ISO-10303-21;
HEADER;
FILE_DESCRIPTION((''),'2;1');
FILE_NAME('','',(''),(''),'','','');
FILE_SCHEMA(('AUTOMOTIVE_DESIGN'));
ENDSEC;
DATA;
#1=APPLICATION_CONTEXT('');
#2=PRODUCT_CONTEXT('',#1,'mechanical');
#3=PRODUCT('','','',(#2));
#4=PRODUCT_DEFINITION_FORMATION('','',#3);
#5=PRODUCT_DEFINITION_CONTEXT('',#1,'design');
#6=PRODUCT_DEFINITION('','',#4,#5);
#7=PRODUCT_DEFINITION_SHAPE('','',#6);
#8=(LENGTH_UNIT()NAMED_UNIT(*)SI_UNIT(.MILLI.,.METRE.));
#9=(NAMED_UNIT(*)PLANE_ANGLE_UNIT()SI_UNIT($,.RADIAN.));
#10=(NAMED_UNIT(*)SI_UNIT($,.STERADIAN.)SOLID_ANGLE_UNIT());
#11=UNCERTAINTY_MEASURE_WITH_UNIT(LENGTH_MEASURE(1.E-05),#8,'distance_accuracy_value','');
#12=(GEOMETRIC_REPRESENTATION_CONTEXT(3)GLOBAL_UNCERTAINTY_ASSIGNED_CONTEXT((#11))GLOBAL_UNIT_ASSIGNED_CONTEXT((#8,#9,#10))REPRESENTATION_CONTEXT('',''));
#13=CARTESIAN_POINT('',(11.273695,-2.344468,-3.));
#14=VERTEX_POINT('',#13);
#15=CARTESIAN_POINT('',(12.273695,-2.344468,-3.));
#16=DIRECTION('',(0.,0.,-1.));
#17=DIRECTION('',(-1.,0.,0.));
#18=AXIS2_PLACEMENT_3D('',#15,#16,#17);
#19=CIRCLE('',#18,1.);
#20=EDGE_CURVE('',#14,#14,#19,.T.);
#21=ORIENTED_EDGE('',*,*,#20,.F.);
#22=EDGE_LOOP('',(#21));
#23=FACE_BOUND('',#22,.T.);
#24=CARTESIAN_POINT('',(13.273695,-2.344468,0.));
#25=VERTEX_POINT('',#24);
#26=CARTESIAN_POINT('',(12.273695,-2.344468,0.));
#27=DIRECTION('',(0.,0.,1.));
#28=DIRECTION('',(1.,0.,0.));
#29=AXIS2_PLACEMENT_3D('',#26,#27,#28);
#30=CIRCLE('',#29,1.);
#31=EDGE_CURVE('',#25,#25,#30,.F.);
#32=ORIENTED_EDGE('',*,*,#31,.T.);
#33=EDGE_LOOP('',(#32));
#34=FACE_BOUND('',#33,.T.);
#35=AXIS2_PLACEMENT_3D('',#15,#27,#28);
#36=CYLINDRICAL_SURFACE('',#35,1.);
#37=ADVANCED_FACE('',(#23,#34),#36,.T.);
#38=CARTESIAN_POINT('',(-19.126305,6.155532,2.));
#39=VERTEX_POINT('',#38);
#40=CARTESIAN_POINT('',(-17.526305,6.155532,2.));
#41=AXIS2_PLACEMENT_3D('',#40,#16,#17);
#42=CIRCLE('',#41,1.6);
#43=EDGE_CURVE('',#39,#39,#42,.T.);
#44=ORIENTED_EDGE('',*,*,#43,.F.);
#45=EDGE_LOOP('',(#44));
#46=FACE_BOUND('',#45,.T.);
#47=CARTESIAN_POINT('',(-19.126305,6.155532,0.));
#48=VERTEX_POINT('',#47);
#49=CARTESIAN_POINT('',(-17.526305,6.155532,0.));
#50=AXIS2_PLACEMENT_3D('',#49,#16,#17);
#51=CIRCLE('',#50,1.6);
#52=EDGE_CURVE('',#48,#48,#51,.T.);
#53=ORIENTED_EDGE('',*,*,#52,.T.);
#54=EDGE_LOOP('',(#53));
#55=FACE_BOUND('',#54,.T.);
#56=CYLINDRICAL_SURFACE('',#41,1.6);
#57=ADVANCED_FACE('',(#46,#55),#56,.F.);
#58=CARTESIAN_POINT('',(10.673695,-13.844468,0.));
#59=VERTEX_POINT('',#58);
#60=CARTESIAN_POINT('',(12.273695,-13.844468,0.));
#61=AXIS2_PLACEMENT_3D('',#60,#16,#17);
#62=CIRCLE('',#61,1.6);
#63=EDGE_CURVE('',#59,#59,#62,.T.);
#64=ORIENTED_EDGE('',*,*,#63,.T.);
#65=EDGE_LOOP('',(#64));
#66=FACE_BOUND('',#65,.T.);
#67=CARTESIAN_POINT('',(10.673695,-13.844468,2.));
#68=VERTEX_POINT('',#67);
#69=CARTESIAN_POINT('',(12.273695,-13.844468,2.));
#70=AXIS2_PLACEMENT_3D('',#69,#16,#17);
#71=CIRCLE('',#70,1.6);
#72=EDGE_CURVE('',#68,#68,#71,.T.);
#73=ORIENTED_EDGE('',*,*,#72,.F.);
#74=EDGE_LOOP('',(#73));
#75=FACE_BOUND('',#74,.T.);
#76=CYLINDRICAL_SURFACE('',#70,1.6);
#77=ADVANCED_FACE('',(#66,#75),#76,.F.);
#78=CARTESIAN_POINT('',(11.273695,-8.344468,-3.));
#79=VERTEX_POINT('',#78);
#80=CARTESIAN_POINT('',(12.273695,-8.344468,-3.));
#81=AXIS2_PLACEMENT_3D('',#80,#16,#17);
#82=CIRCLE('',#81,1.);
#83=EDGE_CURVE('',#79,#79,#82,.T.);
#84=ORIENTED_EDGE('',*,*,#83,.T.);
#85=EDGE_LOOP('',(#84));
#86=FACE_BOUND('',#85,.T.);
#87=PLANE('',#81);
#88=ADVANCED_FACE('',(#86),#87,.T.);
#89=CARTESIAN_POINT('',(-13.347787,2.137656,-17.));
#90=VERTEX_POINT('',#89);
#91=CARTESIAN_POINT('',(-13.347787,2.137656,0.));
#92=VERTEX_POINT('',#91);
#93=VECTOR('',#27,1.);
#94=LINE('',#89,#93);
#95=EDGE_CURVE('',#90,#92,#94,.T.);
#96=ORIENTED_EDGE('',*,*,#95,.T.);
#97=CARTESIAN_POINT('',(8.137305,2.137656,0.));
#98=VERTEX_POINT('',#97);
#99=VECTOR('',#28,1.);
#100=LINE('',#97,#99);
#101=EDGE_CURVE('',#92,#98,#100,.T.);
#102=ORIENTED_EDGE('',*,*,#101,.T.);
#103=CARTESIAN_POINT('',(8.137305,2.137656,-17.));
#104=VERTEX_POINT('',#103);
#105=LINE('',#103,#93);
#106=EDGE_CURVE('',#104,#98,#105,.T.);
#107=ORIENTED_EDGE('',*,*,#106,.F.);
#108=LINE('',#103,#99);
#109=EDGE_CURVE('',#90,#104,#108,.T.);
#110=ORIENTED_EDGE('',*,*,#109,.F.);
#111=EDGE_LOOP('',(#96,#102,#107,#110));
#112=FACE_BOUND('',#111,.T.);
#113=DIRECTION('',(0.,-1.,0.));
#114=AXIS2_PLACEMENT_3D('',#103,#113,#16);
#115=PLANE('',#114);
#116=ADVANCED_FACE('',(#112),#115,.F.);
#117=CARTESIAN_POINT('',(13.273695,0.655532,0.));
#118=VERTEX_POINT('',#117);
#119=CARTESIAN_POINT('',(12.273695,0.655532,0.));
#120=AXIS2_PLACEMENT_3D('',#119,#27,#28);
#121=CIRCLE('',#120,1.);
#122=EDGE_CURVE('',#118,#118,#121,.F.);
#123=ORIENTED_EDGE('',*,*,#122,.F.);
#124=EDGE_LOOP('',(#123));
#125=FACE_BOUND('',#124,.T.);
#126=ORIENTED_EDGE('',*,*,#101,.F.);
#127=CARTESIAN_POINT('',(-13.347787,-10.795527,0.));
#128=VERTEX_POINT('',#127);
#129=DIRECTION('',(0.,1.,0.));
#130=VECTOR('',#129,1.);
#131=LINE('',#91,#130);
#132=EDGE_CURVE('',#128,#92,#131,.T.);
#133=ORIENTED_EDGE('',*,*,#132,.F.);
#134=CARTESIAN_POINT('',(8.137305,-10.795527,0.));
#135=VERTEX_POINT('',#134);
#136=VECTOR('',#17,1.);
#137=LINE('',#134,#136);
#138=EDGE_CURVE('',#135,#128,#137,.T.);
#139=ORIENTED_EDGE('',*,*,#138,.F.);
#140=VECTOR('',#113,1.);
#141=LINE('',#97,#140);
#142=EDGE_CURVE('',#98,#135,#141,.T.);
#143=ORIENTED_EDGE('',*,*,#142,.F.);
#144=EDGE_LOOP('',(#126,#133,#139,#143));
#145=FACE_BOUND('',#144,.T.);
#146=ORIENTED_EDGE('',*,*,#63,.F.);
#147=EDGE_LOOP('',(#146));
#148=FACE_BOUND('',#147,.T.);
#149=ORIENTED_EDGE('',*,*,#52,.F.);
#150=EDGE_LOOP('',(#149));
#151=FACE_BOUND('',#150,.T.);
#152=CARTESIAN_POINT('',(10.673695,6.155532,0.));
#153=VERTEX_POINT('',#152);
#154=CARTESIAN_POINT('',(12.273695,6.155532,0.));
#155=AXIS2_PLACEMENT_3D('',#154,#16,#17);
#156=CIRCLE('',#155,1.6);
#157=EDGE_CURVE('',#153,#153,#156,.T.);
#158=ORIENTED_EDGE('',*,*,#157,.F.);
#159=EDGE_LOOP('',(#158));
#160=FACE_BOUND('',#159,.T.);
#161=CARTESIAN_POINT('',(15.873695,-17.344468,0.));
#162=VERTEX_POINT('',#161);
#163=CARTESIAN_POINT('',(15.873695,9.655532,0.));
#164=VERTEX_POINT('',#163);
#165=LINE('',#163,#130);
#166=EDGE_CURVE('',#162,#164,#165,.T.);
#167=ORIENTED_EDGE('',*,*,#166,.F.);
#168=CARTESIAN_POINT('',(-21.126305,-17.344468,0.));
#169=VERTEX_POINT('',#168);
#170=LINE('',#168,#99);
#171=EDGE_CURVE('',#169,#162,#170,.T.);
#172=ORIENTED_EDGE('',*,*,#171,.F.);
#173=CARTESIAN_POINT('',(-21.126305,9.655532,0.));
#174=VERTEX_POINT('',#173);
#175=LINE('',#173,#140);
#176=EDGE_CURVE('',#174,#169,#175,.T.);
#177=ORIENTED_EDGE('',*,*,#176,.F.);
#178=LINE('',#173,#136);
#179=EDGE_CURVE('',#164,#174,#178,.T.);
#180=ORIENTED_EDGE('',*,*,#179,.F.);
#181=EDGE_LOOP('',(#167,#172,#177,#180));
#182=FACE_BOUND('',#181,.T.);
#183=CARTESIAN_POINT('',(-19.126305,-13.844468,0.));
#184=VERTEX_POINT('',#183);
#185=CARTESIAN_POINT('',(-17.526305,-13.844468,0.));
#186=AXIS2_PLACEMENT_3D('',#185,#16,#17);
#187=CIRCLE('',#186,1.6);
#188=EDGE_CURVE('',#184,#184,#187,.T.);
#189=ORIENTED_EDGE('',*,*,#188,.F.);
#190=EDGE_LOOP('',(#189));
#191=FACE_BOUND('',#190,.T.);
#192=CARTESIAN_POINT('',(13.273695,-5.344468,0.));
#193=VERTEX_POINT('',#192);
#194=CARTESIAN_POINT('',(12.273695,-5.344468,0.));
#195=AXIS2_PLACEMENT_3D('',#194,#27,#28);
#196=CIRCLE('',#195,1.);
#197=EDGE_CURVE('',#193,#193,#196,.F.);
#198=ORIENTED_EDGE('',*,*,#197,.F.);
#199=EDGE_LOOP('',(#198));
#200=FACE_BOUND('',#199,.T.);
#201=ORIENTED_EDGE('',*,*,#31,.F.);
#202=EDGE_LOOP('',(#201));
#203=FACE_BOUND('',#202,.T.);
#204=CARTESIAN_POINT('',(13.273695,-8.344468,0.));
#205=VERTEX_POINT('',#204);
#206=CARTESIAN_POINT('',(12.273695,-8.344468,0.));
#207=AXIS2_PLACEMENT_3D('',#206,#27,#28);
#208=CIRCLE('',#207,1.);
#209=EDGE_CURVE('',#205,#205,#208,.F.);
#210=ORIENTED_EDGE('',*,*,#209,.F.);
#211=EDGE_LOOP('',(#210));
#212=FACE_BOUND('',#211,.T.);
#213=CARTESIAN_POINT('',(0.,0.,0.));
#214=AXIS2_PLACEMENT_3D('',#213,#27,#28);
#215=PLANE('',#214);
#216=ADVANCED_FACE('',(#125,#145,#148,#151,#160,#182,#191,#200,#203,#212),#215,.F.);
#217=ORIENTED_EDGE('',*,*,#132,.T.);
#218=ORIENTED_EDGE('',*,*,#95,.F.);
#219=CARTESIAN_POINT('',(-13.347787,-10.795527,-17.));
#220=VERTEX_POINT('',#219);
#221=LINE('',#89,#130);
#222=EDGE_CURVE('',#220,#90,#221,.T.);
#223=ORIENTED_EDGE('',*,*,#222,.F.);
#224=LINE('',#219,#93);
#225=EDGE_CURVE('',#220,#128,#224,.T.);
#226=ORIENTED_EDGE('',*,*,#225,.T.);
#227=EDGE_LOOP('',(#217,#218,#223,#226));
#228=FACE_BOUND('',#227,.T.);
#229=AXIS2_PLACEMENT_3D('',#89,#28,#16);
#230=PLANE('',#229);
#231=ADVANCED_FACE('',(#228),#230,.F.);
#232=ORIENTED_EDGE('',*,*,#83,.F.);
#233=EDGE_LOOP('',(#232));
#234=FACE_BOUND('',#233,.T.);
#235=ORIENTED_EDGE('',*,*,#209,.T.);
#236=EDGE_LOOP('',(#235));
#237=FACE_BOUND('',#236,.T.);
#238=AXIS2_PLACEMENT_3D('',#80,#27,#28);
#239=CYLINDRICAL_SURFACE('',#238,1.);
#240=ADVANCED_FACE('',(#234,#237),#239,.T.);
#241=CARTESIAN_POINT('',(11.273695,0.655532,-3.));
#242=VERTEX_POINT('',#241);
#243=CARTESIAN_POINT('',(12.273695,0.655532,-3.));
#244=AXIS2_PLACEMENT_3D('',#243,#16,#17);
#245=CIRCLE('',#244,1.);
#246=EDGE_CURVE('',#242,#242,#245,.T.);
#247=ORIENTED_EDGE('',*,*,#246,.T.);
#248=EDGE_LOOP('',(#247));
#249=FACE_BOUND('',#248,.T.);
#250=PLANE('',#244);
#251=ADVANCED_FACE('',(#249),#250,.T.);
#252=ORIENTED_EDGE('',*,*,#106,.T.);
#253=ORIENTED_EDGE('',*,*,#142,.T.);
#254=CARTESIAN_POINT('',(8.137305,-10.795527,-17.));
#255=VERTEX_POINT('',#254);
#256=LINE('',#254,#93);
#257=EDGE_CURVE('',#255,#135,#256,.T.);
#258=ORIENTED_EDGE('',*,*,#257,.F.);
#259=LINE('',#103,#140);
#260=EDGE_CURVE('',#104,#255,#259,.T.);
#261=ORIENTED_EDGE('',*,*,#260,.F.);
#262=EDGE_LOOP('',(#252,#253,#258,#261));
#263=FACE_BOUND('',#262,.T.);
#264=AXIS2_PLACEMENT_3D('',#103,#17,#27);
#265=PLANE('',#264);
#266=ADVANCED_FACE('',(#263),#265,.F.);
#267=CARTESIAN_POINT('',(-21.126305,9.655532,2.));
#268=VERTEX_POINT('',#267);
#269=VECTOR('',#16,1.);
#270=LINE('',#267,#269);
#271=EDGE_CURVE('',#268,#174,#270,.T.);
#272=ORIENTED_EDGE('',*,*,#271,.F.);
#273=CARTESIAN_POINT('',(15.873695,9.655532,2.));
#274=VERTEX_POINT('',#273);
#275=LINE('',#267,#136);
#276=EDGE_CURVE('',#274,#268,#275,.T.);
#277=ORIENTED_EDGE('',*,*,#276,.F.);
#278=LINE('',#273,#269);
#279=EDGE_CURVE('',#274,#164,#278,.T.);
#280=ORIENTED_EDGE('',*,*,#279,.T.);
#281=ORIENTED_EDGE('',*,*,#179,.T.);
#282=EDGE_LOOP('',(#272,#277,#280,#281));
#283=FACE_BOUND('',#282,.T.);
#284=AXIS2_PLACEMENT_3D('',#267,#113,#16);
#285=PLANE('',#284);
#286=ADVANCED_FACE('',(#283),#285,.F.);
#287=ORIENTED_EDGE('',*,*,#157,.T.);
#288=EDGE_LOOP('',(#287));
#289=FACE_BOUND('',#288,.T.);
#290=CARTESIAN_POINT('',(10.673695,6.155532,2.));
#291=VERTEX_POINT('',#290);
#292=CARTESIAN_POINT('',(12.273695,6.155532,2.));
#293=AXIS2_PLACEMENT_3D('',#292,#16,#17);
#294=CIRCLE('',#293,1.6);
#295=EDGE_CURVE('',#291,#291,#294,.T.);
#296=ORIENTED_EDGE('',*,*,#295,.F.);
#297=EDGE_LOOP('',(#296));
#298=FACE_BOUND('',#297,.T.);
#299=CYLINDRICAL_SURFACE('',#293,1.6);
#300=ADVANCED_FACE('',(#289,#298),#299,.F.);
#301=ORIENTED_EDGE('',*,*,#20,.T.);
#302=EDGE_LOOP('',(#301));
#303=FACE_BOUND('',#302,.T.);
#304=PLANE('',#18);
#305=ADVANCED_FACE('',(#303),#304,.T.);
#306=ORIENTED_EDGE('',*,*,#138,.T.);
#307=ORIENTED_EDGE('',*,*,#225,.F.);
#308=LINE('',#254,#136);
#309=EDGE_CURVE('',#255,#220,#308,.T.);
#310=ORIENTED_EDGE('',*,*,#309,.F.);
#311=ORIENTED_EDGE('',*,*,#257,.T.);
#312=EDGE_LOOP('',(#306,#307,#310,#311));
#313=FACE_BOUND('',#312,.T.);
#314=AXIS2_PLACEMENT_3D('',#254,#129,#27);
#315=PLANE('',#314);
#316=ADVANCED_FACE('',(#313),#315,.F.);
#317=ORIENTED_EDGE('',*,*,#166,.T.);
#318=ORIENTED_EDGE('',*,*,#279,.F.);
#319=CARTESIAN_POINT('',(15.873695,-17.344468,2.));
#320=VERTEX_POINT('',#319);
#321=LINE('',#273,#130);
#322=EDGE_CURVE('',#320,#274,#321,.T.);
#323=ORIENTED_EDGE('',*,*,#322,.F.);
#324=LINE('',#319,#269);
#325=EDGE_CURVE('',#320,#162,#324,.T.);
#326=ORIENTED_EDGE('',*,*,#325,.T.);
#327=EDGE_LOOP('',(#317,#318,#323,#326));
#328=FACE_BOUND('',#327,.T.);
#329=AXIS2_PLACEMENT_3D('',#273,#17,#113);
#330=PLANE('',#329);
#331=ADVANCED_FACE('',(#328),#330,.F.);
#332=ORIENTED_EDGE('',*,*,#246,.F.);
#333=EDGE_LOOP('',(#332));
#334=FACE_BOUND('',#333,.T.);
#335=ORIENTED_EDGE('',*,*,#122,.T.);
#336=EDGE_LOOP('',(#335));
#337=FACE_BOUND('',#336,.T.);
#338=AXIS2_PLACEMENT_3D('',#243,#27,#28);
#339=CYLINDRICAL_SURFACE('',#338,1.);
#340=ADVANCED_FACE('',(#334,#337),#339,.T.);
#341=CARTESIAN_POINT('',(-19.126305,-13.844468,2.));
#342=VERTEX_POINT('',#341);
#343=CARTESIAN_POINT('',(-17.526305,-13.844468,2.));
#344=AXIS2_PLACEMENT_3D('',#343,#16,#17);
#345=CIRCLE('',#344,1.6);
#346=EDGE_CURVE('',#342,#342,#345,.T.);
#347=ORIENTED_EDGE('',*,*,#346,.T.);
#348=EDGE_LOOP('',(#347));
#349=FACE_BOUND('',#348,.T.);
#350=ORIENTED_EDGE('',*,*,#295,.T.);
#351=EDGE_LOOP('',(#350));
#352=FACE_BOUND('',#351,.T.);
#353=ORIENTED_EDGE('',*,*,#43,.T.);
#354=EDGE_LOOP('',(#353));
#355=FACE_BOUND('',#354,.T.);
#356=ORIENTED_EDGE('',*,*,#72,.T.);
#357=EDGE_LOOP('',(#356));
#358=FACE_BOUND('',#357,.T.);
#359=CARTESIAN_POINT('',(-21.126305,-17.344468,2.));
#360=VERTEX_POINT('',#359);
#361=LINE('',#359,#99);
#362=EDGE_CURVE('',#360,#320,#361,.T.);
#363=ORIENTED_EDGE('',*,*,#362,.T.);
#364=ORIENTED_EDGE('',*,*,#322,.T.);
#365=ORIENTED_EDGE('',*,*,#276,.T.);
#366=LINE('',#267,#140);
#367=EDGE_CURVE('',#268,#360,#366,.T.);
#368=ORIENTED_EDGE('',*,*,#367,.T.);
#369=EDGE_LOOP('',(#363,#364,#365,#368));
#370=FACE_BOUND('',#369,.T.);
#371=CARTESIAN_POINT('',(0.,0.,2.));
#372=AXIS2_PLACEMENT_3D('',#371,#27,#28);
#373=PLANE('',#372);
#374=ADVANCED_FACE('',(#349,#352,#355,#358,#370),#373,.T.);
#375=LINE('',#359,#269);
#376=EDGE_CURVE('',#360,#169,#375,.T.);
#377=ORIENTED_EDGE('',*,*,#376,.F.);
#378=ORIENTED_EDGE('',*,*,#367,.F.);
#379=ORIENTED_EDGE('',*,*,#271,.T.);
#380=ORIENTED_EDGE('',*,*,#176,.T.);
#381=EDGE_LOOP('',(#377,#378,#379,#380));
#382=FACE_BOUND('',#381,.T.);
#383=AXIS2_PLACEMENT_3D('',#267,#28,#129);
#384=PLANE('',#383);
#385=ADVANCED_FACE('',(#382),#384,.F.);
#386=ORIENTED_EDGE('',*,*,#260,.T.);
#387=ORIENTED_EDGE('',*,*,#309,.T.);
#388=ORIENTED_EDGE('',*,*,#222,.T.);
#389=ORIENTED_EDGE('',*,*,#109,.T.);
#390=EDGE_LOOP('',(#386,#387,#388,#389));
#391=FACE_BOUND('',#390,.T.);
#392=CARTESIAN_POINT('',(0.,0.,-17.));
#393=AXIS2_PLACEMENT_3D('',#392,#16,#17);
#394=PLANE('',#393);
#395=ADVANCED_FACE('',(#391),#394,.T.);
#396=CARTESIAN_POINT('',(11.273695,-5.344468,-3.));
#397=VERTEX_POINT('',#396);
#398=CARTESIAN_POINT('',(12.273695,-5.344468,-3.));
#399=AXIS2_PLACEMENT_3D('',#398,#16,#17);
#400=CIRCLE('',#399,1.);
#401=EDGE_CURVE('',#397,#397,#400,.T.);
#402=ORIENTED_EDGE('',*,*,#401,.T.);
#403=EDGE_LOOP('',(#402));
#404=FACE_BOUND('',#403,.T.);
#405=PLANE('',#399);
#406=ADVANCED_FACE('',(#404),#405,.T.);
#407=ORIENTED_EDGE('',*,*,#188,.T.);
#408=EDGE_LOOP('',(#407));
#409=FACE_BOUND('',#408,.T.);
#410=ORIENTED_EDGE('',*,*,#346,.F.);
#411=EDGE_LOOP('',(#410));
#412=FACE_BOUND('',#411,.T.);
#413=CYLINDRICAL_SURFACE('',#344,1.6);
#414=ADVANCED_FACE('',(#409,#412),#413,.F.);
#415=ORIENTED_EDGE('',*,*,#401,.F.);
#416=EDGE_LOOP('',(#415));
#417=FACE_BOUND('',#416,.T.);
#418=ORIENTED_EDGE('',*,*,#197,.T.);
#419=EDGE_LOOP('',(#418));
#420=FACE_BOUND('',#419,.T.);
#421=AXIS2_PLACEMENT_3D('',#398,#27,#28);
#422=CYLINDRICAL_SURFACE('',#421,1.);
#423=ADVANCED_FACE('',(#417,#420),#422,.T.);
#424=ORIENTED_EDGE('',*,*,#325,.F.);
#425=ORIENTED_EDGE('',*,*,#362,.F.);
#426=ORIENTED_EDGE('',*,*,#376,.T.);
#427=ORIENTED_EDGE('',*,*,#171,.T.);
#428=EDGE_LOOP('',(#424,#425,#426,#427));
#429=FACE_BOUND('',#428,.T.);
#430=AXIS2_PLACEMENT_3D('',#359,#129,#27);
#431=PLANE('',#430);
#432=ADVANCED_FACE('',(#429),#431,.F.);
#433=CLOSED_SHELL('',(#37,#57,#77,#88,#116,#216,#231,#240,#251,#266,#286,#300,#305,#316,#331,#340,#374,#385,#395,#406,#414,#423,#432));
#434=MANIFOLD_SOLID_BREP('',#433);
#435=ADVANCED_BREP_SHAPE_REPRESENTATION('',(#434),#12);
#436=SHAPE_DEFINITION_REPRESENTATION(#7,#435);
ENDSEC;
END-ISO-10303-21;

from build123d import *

# Parameters (mm, degrees)
SKETCH_1_W          = 37
SKETCH_1_H          = 27
EXTRUDE_1_DEPTH     = 2
SKETCH_2_R          = 1.6
CUT_EXTRUDE_1_DEPTH = 28.407139806
SKETCH_3_W          = 21.485092325
SKETCH_3_H          = 12.933183026
EXTRUDE_2_DEPTH     = 17
SKETCH_4_R          = 1
EXTRUDE_3_DEPTH     = 3


with BuildPart() as part:
    # 草圖1 → 填料-伸長1 (new body)
    with BuildSketch(Plane.XY):
        with Locations((-2.626304802, -3.844467641)):
            Rectangle(SKETCH_1_W, SKETCH_1_H)
    extrude(amount=EXTRUDE_1_DEPTH)

    # 草圖2 → 除料-伸長1 (cut, through all)
    with BuildSketch(Plane(origin=(0, 0, 0), x_dir=(-1, 0, 0), z_dir=(0, 0, -1))):
        with Locations((-12.273695198, 6.155532359)):
            Circle(SKETCH_2_R)
        with Locations((-12.273695198, -13.844467641)):
            Circle(SKETCH_2_R)
        with Locations((17.526304802, -13.844467641)):
            Circle(SKETCH_2_R)
        with Locations((17.526304802, 6.155532359)):
            Circle(SKETCH_2_R)
    extrude(amount=-CUT_EXTRUDE_1_DEPTH, mode=Mode.SUBTRACT)

    # 草圖3 → 填料-伸長2 (add)
    with BuildSketch(Plane(origin=(0, 0, 0), x_dir=(-1, 0, 0), z_dir=(0, 0, -1))):
        with Locations((2.605240986, -4.328935409)):
            Rectangle(SKETCH_3_W, SKETCH_3_H)
    extrude(amount=EXTRUDE_2_DEPTH)

    # 草圖4 → 填料-伸長3 (add)
    with BuildSketch(Plane(origin=(0, 0, 0), x_dir=(-1, 0, 0), z_dir=(0, 0, -1))):
        with Locations(Location((-12.273695198, -2.344467641, 0), (0, 0, 180))):
            Circle(SKETCH_4_R)
        with Locations(Location((-12.273695198, -5.344467641, 0), (0, 0, 180))):
            Circle(SKETCH_4_R)
        with Locations(Location((-12.273695198, -8.344467641, 0), (0, 0, 180))):
            Circle(SKETCH_4_R)
        with Locations(Location((-12.273695198, 0.655532359, 0), (0, 0, 180))):
            Circle(SKETCH_4_R)
    extrude(amount=EXTRUDE_3_DEPTH)


solid = part.part
